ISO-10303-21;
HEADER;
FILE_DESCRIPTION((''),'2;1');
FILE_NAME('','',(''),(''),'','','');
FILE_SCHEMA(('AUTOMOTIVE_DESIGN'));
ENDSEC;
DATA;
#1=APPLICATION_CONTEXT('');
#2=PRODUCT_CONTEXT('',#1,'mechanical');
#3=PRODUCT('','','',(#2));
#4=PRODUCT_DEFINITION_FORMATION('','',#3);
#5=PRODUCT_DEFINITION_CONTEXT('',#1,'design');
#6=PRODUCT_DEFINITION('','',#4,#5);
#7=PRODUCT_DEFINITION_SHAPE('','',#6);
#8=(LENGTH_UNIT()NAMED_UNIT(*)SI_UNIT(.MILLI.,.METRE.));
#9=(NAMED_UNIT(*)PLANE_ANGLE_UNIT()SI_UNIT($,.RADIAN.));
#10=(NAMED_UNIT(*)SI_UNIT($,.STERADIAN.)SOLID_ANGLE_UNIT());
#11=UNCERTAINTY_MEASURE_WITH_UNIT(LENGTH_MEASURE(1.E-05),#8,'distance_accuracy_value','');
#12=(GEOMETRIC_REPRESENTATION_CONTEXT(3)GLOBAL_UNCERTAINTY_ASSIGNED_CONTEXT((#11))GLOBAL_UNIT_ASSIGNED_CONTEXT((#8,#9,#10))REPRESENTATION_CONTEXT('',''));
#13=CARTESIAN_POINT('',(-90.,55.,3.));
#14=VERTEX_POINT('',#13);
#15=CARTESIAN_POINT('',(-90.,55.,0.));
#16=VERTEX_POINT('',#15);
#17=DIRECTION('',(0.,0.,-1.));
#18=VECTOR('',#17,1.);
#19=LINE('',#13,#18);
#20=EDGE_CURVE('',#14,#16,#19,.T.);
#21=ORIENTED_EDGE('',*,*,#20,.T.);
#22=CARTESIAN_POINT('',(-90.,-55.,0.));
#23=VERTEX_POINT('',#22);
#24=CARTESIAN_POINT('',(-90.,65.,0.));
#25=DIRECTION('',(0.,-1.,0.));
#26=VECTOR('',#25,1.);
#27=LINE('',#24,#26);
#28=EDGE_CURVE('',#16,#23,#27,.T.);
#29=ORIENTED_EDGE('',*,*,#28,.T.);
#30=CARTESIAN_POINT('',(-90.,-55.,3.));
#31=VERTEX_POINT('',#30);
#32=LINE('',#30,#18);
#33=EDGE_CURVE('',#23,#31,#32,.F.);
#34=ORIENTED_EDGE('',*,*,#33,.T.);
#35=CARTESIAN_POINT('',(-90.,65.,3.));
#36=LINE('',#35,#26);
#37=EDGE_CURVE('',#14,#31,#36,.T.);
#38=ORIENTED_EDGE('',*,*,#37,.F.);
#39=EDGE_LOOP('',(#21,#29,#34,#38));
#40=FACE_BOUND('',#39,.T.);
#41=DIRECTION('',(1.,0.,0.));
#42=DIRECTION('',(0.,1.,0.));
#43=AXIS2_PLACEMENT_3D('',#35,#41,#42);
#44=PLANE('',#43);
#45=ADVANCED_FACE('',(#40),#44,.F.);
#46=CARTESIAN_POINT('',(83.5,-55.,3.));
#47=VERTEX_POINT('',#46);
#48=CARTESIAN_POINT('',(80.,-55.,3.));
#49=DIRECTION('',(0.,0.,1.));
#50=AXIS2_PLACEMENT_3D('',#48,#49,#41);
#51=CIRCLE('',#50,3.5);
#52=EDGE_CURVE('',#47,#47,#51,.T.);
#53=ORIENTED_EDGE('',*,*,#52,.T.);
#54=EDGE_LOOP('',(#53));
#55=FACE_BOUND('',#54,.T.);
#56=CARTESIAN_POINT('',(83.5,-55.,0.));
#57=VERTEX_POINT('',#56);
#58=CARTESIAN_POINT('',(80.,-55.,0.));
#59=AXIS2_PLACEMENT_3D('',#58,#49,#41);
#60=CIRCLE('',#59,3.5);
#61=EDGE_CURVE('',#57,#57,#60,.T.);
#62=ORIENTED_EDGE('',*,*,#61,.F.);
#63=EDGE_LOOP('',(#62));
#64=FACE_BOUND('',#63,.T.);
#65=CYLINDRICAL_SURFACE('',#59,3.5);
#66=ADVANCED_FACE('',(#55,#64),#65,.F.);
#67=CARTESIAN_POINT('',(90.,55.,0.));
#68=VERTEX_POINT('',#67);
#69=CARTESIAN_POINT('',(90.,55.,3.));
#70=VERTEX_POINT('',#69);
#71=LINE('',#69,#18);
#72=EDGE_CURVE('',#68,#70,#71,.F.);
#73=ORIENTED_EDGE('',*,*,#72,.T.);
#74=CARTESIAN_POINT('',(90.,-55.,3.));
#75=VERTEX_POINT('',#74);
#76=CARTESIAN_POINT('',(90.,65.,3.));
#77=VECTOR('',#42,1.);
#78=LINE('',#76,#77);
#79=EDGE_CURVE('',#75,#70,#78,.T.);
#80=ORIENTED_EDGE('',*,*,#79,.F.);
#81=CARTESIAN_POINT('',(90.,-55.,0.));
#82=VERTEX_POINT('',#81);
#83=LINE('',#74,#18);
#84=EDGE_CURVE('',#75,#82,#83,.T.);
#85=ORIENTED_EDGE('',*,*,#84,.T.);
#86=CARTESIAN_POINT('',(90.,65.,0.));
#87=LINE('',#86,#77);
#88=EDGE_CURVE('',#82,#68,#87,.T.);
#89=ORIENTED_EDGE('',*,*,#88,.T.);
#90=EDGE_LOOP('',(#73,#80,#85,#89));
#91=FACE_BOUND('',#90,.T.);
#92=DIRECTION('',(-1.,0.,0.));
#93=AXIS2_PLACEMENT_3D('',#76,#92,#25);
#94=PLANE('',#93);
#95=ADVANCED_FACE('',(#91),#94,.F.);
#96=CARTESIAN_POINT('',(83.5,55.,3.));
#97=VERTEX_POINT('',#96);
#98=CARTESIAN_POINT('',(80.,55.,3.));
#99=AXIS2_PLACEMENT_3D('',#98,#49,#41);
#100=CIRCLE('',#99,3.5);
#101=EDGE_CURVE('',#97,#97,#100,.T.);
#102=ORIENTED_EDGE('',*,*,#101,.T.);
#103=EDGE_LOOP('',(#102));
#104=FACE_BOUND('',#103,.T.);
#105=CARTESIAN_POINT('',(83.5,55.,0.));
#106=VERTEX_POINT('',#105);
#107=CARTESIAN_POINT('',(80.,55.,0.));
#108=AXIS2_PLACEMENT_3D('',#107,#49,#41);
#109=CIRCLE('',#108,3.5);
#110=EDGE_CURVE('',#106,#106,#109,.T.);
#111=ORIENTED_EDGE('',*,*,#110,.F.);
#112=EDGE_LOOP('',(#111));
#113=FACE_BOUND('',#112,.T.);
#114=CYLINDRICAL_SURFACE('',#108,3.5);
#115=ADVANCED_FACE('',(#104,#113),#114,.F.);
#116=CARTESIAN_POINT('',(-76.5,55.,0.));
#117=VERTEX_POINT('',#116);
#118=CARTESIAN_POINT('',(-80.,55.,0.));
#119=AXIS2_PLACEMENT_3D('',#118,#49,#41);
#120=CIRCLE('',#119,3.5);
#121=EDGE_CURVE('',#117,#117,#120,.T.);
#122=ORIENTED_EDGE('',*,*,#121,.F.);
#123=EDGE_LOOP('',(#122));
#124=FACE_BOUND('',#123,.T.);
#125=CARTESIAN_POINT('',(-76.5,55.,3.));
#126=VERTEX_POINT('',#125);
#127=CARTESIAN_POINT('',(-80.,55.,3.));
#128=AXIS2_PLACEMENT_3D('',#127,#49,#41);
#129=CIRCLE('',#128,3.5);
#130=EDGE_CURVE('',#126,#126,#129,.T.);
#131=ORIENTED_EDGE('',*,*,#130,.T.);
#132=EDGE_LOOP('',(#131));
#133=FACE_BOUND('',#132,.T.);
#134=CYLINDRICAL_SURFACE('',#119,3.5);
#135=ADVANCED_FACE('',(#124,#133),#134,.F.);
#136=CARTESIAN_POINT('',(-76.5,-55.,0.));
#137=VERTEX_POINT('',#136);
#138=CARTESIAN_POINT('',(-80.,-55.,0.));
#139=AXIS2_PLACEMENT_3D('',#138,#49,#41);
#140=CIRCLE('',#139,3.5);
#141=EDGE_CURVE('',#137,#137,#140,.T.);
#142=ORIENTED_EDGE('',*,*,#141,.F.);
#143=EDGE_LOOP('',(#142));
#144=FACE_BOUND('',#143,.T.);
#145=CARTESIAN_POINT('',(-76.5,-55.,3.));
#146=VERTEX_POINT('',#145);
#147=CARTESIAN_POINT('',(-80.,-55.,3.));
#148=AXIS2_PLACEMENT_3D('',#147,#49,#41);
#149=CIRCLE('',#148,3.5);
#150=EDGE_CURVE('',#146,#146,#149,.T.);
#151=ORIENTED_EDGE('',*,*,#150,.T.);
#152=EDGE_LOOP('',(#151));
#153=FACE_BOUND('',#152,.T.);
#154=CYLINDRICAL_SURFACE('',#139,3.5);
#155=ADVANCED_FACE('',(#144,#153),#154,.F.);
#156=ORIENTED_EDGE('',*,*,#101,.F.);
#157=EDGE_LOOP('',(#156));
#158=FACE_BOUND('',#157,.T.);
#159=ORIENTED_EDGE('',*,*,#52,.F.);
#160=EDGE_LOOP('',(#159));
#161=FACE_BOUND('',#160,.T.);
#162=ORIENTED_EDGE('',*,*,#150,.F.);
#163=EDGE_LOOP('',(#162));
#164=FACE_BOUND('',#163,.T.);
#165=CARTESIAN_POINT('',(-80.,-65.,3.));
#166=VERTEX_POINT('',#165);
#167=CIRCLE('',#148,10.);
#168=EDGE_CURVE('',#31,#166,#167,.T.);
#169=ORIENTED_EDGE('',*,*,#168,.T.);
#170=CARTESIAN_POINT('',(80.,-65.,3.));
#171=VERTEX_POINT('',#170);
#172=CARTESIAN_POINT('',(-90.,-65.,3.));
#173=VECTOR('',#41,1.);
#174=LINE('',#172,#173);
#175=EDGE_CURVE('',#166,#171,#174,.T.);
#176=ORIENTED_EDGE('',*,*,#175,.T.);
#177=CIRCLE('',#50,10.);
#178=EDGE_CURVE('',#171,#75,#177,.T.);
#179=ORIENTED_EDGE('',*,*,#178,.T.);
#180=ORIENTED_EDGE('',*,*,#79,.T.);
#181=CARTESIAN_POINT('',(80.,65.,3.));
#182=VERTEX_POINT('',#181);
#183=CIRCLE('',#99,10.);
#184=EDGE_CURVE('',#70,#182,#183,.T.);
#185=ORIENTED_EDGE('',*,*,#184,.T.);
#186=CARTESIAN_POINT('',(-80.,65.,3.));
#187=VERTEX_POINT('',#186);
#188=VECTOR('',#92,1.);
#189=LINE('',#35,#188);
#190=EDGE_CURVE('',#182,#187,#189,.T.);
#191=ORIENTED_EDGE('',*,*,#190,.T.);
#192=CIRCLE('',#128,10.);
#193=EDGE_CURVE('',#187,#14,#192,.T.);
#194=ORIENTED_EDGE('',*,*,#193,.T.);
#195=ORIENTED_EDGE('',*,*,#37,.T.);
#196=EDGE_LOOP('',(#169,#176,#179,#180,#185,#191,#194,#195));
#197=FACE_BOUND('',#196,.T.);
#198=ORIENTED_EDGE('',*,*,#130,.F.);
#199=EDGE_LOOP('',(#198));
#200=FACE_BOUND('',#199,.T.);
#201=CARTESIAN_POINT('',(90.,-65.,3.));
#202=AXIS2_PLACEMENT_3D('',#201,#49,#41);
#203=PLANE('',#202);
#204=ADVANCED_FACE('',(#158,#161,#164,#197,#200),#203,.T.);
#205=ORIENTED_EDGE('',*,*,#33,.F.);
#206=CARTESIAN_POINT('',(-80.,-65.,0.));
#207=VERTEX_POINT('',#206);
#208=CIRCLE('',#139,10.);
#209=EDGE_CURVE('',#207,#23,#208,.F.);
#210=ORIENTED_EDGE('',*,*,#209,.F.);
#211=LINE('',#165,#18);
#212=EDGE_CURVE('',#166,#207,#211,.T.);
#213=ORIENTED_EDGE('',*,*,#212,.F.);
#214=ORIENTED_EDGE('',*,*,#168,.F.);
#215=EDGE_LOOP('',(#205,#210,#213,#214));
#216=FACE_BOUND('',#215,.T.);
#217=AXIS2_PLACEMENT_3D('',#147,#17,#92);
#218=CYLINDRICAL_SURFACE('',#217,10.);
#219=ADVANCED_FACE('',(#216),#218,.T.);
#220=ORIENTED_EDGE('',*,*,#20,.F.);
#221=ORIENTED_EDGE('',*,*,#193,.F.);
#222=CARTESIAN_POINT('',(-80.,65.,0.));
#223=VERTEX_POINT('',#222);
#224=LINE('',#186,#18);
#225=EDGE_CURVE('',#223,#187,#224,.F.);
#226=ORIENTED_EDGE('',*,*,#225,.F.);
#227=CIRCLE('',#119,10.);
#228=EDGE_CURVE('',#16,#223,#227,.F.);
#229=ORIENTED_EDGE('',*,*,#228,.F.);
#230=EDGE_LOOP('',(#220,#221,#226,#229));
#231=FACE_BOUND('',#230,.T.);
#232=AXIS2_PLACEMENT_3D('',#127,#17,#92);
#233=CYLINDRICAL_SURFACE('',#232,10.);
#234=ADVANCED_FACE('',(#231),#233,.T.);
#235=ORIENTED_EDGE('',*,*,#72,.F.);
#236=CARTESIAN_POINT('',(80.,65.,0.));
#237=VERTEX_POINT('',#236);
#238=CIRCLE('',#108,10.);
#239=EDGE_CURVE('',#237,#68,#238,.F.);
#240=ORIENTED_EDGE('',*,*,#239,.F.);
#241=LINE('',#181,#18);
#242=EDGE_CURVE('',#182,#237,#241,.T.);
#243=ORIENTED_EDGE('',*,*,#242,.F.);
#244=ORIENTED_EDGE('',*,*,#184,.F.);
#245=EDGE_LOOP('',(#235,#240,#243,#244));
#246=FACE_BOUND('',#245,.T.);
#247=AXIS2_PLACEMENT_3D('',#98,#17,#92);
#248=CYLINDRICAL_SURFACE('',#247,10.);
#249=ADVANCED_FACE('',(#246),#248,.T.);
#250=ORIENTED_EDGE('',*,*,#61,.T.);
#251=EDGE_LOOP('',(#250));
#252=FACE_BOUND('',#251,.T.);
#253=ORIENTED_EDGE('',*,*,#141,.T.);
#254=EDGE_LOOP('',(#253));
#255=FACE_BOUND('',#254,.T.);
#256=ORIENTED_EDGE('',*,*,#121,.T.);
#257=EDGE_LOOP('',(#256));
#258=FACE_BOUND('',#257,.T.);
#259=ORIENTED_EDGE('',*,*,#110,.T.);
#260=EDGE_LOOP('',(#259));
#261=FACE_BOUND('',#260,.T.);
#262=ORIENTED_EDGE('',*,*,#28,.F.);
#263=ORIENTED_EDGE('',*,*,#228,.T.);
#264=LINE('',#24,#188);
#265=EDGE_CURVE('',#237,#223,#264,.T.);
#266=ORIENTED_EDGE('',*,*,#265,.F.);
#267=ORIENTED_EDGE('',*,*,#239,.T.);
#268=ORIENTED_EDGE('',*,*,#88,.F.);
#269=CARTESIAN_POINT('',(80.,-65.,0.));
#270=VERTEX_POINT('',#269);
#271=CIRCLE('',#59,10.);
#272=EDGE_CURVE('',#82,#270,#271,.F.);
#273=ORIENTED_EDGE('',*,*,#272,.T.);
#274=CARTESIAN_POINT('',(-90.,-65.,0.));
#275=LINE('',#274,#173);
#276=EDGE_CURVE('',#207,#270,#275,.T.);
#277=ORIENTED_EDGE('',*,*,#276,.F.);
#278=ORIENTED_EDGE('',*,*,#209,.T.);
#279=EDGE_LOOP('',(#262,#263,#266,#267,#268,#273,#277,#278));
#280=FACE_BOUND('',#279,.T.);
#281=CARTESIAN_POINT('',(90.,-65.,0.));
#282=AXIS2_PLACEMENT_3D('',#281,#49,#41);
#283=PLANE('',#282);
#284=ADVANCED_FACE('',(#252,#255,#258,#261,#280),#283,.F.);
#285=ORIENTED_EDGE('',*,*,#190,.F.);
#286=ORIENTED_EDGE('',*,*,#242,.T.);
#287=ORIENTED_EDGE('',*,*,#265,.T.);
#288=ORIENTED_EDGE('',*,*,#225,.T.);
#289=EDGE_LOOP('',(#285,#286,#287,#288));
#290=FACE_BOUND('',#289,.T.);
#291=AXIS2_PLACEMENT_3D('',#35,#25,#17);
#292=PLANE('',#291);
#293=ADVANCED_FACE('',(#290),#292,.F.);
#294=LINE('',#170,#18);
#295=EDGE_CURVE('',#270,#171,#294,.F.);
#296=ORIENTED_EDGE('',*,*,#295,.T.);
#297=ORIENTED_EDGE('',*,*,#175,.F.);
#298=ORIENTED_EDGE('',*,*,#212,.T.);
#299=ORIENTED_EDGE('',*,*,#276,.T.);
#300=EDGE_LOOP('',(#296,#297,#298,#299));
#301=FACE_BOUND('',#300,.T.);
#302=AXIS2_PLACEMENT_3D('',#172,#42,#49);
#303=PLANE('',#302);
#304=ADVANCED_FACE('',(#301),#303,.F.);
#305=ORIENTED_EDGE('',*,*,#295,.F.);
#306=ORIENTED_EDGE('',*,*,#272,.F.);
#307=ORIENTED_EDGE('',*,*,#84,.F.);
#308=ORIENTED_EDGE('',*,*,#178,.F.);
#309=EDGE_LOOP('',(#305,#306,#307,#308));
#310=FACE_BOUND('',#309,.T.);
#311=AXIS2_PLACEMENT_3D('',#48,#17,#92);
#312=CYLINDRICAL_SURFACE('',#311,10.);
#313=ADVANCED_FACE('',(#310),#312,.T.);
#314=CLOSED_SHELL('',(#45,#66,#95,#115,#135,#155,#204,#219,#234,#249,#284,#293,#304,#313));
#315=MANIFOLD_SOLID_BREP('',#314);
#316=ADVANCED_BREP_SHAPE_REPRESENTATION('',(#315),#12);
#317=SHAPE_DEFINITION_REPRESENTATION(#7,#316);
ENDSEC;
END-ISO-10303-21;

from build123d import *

# Parameters (mm, degrees)
SKETCH_1_W          = 180
SKETCH_1_H          = 130
EXTRUDE_1_DEPTH     = 3
FILLET_1_R          = 10
SKETCH_2_R          = 3.5
CUT_EXTRUDE_1_DEPTH = 112.05854312


with BuildPart() as part:
    # 草图1 → 凸台-拉伸1 (new body)
    with BuildSketch(Plane.XY):
        Rectangle(SKETCH_1_W, SKETCH_1_H)
    extrude(amount=EXTRUDE_1_DEPTH)

    # 圆角1
    fillet_1_edges = [part.edges().sort_by_distance(p)[0] for p in [
        (90, -65, 1.5),
        (-90, -65, 1.5),
        (-90, 65, 1.5),
        (90, 65, 1.5),
    ]]
    fillet(fillet_1_edges, radius=FILLET_1_R)

    # 草图2 → 切除-拉伸1 (cut, through all)
    with BuildSketch(Plane.XY.offset(3)):
        with Locations((-80, 55)):
            Circle(SKETCH_2_R)
        with Locations((-80, -55)):
            Circle(SKETCH_2_R)
        with Locations((80, 55)):
            Circle(SKETCH_2_R)
        with Locations((80, -55)):
            Circle(SKETCH_2_R)
    extrude(amount=-CUT_EXTRUDE_1_DEPTH, mode=Mode.SUBTRACT)


solid = part.part
